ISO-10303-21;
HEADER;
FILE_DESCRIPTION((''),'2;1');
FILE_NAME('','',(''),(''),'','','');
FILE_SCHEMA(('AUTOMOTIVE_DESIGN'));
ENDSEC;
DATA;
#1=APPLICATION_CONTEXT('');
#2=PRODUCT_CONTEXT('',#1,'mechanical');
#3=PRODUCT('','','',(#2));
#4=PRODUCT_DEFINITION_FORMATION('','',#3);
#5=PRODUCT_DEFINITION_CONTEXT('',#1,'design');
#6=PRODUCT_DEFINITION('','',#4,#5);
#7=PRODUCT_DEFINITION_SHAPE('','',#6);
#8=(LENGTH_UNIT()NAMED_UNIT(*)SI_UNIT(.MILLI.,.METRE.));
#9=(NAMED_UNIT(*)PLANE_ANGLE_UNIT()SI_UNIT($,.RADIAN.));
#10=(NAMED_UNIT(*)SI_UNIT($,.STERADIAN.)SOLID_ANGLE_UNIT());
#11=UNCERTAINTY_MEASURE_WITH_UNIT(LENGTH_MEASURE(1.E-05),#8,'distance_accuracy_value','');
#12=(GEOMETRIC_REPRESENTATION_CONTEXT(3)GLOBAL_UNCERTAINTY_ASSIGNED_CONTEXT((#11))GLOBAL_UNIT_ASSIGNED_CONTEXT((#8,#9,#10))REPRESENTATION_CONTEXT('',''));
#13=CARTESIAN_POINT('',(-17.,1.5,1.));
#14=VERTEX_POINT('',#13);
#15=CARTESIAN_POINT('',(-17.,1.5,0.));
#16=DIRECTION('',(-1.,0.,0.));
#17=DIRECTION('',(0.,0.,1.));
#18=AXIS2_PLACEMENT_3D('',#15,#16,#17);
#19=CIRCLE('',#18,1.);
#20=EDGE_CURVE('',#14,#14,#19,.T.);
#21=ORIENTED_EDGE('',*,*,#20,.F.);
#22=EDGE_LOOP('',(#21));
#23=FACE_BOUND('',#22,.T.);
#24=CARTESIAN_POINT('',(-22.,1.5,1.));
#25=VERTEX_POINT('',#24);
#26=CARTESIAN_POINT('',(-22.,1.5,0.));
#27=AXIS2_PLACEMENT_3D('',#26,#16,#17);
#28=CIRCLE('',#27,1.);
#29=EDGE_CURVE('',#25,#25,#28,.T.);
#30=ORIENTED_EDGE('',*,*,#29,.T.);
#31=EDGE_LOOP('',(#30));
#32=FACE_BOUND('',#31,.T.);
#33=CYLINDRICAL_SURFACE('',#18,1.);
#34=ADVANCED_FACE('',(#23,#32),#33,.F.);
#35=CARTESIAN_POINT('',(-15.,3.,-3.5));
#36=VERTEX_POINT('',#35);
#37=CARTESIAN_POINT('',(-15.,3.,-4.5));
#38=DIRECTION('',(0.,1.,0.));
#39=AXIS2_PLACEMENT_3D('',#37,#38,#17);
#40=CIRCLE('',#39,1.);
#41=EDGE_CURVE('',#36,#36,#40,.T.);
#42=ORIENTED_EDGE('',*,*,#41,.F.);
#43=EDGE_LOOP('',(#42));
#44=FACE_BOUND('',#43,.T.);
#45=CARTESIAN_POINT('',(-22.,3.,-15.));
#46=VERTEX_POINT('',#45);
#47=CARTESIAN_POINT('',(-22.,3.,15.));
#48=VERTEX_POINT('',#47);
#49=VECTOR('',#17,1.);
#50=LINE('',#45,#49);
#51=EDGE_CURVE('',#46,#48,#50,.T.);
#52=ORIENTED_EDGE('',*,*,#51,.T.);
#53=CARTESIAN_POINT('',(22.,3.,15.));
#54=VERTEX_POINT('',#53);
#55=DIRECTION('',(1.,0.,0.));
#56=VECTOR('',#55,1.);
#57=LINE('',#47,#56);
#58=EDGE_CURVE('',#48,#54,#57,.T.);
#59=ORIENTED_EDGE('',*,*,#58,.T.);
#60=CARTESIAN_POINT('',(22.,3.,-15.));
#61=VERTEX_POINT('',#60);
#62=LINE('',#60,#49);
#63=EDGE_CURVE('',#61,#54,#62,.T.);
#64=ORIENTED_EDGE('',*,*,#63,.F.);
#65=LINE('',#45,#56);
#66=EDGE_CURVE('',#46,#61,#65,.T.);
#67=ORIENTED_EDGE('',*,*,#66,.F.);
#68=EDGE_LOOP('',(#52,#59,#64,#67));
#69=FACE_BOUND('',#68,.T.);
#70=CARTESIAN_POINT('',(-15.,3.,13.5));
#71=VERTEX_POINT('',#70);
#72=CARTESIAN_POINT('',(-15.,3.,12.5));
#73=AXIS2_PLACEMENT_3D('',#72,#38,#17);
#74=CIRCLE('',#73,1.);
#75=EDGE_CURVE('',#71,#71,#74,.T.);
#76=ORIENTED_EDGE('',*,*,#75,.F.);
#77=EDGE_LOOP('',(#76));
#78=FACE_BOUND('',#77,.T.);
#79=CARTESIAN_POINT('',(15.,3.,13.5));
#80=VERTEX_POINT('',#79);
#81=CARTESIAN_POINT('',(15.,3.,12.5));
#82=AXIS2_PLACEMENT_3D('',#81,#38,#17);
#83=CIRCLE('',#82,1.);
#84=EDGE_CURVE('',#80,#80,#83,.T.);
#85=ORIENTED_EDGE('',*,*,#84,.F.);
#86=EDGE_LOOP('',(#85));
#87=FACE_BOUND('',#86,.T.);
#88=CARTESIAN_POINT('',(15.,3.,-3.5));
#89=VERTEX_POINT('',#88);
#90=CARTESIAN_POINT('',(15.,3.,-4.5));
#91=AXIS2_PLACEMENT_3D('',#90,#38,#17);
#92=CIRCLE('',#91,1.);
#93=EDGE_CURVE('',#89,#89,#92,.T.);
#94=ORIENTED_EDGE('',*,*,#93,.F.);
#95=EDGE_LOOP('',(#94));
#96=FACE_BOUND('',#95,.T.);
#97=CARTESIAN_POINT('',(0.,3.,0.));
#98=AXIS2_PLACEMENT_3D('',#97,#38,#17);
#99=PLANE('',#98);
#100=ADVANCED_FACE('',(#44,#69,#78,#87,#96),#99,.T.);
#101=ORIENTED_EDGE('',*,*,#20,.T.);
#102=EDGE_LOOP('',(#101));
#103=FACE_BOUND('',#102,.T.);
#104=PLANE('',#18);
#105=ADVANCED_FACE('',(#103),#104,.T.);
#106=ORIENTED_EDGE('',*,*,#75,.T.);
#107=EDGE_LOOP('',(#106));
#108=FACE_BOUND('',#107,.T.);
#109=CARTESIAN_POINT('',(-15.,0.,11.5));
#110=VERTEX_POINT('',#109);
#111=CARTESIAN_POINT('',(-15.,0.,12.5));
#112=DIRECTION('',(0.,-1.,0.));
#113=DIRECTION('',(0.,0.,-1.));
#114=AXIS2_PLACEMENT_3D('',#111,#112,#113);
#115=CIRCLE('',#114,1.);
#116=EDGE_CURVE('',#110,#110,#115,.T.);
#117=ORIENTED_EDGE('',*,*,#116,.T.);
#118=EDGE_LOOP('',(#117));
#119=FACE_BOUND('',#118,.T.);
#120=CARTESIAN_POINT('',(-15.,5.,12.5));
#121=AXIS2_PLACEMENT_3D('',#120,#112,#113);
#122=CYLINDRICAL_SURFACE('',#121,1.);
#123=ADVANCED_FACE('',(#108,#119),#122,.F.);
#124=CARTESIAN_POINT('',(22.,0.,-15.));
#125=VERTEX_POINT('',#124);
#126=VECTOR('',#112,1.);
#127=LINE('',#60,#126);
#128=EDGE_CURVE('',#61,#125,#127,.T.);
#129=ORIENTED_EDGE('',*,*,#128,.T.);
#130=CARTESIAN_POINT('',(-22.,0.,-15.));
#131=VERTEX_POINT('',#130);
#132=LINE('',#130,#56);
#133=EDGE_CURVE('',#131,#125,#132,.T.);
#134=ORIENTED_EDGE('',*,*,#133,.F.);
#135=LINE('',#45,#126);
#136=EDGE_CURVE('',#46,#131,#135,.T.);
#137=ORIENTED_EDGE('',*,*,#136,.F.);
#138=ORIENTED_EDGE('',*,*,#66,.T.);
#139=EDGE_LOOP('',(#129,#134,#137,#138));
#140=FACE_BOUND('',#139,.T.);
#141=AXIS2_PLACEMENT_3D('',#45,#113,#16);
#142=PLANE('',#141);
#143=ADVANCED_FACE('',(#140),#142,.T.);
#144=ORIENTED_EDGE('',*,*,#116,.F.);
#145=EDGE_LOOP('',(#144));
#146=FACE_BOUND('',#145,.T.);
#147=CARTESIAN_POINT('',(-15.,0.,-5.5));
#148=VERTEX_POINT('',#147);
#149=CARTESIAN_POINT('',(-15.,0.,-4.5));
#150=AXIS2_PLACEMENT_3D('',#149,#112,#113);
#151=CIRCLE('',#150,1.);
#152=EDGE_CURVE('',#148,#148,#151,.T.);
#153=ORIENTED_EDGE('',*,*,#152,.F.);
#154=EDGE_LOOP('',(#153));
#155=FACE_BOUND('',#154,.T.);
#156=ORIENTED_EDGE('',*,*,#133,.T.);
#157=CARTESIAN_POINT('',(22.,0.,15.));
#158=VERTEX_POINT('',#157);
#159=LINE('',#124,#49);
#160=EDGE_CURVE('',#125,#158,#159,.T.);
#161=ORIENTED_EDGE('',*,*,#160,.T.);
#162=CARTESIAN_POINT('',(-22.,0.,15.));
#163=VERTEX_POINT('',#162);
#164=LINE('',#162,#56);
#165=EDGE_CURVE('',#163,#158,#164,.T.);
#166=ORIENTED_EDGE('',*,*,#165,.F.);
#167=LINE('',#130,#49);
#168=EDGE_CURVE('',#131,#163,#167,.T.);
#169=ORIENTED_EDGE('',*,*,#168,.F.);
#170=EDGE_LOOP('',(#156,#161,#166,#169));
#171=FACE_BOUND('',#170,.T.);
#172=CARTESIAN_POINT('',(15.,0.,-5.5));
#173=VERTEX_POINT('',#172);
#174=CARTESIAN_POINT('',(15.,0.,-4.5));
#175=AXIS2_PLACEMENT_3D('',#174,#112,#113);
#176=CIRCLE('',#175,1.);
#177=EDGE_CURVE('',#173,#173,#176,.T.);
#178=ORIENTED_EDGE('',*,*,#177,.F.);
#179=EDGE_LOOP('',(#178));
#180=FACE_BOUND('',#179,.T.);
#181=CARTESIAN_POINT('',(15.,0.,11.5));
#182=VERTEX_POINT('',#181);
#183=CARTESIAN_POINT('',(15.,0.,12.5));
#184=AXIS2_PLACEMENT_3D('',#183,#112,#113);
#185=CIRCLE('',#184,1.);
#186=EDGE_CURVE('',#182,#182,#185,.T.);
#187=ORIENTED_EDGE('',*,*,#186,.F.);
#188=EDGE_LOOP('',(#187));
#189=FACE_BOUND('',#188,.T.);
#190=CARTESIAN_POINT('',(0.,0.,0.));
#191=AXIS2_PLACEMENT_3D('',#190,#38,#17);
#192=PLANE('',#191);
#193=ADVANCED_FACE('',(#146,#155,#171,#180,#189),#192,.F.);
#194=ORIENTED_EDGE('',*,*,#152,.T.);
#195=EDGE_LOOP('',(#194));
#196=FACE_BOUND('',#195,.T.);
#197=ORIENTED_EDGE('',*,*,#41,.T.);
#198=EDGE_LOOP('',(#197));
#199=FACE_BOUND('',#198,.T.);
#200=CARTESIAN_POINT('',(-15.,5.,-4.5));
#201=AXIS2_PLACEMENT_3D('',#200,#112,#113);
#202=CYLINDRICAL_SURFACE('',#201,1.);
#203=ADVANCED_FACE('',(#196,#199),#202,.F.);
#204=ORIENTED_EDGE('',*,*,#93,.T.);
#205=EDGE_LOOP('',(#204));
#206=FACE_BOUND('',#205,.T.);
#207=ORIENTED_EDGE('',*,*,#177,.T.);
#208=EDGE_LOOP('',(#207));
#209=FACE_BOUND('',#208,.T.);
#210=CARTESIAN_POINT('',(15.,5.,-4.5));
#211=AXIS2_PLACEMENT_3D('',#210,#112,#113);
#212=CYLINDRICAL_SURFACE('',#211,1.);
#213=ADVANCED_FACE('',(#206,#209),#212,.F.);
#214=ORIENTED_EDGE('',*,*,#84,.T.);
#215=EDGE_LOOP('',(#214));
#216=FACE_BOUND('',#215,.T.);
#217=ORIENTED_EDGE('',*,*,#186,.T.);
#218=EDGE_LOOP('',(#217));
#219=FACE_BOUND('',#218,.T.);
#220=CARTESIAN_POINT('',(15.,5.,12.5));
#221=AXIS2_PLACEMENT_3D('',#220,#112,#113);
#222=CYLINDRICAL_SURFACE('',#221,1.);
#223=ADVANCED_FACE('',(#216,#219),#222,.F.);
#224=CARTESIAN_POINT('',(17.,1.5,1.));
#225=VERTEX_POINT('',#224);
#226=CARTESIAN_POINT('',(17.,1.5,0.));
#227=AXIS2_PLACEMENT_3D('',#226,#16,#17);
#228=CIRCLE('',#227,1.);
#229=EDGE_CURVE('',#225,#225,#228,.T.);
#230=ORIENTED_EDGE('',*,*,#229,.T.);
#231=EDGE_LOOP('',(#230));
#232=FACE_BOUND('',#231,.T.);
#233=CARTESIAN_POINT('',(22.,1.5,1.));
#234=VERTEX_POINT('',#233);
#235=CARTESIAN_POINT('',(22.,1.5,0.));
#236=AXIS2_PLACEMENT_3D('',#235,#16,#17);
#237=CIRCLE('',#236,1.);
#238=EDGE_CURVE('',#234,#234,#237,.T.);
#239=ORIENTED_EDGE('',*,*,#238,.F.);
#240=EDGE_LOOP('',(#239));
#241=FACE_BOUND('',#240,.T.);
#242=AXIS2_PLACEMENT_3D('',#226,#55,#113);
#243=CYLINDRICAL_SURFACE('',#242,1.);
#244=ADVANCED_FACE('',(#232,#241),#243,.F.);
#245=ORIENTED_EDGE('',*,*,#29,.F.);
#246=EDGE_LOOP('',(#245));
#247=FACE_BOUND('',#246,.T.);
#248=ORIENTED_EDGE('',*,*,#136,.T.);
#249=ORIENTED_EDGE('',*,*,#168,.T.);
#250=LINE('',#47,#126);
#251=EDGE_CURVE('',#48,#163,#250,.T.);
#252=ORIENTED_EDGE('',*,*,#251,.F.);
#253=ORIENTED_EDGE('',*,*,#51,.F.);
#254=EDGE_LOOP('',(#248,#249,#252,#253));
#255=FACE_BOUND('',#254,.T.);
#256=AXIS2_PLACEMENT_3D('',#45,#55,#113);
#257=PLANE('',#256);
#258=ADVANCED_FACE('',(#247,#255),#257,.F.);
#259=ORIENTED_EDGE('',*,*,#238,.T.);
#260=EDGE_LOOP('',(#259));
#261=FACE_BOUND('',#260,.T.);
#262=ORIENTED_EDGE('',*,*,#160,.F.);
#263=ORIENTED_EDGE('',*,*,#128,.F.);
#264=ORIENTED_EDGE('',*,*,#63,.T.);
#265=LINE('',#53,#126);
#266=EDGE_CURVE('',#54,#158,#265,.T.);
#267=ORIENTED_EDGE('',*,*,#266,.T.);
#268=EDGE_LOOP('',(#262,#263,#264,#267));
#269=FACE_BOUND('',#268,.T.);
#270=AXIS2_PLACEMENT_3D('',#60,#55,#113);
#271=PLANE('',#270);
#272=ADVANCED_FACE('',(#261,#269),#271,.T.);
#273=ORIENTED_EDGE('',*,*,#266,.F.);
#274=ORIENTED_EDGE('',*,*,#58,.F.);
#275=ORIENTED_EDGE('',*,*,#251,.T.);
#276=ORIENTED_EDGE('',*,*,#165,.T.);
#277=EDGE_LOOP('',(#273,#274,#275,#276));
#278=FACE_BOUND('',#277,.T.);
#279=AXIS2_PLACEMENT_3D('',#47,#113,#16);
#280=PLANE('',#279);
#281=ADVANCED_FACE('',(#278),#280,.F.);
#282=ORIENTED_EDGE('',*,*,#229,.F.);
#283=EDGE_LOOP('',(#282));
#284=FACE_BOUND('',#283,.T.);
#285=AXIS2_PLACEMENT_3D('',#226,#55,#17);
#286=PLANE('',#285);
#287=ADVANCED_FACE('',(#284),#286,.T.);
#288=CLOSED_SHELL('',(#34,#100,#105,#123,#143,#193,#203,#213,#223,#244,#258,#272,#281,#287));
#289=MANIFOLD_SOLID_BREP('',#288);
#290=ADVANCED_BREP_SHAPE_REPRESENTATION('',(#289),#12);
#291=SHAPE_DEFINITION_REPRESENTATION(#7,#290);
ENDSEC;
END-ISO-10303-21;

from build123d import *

# Parameters (mm, degrees)
SKETCH1_W           = 44
SKETCH1_H           = 30
BOSS_EXTRUDE1_DEPTH = 3
SKETCH2_R           = 1
CUT_EXTRUDE1_DEPTH  = 5
SKETCH3_R           = 1
CUT_EXTRUDE2_DEPTH  = 5


with BuildPart() as part:
    # Sketch1 → Boss-Extrude1 (new body)
    with BuildSketch(Plane(origin=(0, 0, 0), x_dir=(1, 0, 0), z_dir=(0, 1, 0))):
        Rectangle(SKETCH1_W, SKETCH1_H)
    extrude(amount=BOSS_EXTRUDE1_DEPTH)

    # Sketch2 → Cut-Extrude1 (cut)
    with BuildSketch(Plane.ZY.offset(22)):
        with Locations((0, 1.5)):
            Circle(SKETCH2_R)
    cut_extrude1 = extrude(amount=-CUT_EXTRUDE1_DEPTH, mode=Mode.SUBTRACT)

    # Mirror1: Cut-Extrude1 across plane
    add(cut_extrude1.mirror(Plane(origin=(0, 0, 0), x_dir=(0, 0, 1), z_dir=(1, 0, 0))), mode=Mode.SUBTRACT)

    # Sketch3 → Cut-Extrude2 (cut)
    with BuildSketch(Plane(origin=(0, 0, 0), x_dir=(-1, 0, 0), z_dir=(0, -1, 0))):
        with Locations(Location((15, 4.5, 0), (0, 0, 90))):
            Circle(SKETCH3_R)
        with Locations(Location((15, -12.5, 0), (0, 0, 90))):
            Circle(SKETCH3_R)
        with Locations(Location((-15, -12.5, 0), (0, 0, 90))):
            Circle(SKETCH3_R)
        with Locations(Location((-15, 4.5, 0), (0, 0, 90))):
            Circle(SKETCH3_R)
    extrude(amount=-CUT_EXTRUDE2_DEPTH, mode=Mode.SUBTRACT)


solid = part.part
